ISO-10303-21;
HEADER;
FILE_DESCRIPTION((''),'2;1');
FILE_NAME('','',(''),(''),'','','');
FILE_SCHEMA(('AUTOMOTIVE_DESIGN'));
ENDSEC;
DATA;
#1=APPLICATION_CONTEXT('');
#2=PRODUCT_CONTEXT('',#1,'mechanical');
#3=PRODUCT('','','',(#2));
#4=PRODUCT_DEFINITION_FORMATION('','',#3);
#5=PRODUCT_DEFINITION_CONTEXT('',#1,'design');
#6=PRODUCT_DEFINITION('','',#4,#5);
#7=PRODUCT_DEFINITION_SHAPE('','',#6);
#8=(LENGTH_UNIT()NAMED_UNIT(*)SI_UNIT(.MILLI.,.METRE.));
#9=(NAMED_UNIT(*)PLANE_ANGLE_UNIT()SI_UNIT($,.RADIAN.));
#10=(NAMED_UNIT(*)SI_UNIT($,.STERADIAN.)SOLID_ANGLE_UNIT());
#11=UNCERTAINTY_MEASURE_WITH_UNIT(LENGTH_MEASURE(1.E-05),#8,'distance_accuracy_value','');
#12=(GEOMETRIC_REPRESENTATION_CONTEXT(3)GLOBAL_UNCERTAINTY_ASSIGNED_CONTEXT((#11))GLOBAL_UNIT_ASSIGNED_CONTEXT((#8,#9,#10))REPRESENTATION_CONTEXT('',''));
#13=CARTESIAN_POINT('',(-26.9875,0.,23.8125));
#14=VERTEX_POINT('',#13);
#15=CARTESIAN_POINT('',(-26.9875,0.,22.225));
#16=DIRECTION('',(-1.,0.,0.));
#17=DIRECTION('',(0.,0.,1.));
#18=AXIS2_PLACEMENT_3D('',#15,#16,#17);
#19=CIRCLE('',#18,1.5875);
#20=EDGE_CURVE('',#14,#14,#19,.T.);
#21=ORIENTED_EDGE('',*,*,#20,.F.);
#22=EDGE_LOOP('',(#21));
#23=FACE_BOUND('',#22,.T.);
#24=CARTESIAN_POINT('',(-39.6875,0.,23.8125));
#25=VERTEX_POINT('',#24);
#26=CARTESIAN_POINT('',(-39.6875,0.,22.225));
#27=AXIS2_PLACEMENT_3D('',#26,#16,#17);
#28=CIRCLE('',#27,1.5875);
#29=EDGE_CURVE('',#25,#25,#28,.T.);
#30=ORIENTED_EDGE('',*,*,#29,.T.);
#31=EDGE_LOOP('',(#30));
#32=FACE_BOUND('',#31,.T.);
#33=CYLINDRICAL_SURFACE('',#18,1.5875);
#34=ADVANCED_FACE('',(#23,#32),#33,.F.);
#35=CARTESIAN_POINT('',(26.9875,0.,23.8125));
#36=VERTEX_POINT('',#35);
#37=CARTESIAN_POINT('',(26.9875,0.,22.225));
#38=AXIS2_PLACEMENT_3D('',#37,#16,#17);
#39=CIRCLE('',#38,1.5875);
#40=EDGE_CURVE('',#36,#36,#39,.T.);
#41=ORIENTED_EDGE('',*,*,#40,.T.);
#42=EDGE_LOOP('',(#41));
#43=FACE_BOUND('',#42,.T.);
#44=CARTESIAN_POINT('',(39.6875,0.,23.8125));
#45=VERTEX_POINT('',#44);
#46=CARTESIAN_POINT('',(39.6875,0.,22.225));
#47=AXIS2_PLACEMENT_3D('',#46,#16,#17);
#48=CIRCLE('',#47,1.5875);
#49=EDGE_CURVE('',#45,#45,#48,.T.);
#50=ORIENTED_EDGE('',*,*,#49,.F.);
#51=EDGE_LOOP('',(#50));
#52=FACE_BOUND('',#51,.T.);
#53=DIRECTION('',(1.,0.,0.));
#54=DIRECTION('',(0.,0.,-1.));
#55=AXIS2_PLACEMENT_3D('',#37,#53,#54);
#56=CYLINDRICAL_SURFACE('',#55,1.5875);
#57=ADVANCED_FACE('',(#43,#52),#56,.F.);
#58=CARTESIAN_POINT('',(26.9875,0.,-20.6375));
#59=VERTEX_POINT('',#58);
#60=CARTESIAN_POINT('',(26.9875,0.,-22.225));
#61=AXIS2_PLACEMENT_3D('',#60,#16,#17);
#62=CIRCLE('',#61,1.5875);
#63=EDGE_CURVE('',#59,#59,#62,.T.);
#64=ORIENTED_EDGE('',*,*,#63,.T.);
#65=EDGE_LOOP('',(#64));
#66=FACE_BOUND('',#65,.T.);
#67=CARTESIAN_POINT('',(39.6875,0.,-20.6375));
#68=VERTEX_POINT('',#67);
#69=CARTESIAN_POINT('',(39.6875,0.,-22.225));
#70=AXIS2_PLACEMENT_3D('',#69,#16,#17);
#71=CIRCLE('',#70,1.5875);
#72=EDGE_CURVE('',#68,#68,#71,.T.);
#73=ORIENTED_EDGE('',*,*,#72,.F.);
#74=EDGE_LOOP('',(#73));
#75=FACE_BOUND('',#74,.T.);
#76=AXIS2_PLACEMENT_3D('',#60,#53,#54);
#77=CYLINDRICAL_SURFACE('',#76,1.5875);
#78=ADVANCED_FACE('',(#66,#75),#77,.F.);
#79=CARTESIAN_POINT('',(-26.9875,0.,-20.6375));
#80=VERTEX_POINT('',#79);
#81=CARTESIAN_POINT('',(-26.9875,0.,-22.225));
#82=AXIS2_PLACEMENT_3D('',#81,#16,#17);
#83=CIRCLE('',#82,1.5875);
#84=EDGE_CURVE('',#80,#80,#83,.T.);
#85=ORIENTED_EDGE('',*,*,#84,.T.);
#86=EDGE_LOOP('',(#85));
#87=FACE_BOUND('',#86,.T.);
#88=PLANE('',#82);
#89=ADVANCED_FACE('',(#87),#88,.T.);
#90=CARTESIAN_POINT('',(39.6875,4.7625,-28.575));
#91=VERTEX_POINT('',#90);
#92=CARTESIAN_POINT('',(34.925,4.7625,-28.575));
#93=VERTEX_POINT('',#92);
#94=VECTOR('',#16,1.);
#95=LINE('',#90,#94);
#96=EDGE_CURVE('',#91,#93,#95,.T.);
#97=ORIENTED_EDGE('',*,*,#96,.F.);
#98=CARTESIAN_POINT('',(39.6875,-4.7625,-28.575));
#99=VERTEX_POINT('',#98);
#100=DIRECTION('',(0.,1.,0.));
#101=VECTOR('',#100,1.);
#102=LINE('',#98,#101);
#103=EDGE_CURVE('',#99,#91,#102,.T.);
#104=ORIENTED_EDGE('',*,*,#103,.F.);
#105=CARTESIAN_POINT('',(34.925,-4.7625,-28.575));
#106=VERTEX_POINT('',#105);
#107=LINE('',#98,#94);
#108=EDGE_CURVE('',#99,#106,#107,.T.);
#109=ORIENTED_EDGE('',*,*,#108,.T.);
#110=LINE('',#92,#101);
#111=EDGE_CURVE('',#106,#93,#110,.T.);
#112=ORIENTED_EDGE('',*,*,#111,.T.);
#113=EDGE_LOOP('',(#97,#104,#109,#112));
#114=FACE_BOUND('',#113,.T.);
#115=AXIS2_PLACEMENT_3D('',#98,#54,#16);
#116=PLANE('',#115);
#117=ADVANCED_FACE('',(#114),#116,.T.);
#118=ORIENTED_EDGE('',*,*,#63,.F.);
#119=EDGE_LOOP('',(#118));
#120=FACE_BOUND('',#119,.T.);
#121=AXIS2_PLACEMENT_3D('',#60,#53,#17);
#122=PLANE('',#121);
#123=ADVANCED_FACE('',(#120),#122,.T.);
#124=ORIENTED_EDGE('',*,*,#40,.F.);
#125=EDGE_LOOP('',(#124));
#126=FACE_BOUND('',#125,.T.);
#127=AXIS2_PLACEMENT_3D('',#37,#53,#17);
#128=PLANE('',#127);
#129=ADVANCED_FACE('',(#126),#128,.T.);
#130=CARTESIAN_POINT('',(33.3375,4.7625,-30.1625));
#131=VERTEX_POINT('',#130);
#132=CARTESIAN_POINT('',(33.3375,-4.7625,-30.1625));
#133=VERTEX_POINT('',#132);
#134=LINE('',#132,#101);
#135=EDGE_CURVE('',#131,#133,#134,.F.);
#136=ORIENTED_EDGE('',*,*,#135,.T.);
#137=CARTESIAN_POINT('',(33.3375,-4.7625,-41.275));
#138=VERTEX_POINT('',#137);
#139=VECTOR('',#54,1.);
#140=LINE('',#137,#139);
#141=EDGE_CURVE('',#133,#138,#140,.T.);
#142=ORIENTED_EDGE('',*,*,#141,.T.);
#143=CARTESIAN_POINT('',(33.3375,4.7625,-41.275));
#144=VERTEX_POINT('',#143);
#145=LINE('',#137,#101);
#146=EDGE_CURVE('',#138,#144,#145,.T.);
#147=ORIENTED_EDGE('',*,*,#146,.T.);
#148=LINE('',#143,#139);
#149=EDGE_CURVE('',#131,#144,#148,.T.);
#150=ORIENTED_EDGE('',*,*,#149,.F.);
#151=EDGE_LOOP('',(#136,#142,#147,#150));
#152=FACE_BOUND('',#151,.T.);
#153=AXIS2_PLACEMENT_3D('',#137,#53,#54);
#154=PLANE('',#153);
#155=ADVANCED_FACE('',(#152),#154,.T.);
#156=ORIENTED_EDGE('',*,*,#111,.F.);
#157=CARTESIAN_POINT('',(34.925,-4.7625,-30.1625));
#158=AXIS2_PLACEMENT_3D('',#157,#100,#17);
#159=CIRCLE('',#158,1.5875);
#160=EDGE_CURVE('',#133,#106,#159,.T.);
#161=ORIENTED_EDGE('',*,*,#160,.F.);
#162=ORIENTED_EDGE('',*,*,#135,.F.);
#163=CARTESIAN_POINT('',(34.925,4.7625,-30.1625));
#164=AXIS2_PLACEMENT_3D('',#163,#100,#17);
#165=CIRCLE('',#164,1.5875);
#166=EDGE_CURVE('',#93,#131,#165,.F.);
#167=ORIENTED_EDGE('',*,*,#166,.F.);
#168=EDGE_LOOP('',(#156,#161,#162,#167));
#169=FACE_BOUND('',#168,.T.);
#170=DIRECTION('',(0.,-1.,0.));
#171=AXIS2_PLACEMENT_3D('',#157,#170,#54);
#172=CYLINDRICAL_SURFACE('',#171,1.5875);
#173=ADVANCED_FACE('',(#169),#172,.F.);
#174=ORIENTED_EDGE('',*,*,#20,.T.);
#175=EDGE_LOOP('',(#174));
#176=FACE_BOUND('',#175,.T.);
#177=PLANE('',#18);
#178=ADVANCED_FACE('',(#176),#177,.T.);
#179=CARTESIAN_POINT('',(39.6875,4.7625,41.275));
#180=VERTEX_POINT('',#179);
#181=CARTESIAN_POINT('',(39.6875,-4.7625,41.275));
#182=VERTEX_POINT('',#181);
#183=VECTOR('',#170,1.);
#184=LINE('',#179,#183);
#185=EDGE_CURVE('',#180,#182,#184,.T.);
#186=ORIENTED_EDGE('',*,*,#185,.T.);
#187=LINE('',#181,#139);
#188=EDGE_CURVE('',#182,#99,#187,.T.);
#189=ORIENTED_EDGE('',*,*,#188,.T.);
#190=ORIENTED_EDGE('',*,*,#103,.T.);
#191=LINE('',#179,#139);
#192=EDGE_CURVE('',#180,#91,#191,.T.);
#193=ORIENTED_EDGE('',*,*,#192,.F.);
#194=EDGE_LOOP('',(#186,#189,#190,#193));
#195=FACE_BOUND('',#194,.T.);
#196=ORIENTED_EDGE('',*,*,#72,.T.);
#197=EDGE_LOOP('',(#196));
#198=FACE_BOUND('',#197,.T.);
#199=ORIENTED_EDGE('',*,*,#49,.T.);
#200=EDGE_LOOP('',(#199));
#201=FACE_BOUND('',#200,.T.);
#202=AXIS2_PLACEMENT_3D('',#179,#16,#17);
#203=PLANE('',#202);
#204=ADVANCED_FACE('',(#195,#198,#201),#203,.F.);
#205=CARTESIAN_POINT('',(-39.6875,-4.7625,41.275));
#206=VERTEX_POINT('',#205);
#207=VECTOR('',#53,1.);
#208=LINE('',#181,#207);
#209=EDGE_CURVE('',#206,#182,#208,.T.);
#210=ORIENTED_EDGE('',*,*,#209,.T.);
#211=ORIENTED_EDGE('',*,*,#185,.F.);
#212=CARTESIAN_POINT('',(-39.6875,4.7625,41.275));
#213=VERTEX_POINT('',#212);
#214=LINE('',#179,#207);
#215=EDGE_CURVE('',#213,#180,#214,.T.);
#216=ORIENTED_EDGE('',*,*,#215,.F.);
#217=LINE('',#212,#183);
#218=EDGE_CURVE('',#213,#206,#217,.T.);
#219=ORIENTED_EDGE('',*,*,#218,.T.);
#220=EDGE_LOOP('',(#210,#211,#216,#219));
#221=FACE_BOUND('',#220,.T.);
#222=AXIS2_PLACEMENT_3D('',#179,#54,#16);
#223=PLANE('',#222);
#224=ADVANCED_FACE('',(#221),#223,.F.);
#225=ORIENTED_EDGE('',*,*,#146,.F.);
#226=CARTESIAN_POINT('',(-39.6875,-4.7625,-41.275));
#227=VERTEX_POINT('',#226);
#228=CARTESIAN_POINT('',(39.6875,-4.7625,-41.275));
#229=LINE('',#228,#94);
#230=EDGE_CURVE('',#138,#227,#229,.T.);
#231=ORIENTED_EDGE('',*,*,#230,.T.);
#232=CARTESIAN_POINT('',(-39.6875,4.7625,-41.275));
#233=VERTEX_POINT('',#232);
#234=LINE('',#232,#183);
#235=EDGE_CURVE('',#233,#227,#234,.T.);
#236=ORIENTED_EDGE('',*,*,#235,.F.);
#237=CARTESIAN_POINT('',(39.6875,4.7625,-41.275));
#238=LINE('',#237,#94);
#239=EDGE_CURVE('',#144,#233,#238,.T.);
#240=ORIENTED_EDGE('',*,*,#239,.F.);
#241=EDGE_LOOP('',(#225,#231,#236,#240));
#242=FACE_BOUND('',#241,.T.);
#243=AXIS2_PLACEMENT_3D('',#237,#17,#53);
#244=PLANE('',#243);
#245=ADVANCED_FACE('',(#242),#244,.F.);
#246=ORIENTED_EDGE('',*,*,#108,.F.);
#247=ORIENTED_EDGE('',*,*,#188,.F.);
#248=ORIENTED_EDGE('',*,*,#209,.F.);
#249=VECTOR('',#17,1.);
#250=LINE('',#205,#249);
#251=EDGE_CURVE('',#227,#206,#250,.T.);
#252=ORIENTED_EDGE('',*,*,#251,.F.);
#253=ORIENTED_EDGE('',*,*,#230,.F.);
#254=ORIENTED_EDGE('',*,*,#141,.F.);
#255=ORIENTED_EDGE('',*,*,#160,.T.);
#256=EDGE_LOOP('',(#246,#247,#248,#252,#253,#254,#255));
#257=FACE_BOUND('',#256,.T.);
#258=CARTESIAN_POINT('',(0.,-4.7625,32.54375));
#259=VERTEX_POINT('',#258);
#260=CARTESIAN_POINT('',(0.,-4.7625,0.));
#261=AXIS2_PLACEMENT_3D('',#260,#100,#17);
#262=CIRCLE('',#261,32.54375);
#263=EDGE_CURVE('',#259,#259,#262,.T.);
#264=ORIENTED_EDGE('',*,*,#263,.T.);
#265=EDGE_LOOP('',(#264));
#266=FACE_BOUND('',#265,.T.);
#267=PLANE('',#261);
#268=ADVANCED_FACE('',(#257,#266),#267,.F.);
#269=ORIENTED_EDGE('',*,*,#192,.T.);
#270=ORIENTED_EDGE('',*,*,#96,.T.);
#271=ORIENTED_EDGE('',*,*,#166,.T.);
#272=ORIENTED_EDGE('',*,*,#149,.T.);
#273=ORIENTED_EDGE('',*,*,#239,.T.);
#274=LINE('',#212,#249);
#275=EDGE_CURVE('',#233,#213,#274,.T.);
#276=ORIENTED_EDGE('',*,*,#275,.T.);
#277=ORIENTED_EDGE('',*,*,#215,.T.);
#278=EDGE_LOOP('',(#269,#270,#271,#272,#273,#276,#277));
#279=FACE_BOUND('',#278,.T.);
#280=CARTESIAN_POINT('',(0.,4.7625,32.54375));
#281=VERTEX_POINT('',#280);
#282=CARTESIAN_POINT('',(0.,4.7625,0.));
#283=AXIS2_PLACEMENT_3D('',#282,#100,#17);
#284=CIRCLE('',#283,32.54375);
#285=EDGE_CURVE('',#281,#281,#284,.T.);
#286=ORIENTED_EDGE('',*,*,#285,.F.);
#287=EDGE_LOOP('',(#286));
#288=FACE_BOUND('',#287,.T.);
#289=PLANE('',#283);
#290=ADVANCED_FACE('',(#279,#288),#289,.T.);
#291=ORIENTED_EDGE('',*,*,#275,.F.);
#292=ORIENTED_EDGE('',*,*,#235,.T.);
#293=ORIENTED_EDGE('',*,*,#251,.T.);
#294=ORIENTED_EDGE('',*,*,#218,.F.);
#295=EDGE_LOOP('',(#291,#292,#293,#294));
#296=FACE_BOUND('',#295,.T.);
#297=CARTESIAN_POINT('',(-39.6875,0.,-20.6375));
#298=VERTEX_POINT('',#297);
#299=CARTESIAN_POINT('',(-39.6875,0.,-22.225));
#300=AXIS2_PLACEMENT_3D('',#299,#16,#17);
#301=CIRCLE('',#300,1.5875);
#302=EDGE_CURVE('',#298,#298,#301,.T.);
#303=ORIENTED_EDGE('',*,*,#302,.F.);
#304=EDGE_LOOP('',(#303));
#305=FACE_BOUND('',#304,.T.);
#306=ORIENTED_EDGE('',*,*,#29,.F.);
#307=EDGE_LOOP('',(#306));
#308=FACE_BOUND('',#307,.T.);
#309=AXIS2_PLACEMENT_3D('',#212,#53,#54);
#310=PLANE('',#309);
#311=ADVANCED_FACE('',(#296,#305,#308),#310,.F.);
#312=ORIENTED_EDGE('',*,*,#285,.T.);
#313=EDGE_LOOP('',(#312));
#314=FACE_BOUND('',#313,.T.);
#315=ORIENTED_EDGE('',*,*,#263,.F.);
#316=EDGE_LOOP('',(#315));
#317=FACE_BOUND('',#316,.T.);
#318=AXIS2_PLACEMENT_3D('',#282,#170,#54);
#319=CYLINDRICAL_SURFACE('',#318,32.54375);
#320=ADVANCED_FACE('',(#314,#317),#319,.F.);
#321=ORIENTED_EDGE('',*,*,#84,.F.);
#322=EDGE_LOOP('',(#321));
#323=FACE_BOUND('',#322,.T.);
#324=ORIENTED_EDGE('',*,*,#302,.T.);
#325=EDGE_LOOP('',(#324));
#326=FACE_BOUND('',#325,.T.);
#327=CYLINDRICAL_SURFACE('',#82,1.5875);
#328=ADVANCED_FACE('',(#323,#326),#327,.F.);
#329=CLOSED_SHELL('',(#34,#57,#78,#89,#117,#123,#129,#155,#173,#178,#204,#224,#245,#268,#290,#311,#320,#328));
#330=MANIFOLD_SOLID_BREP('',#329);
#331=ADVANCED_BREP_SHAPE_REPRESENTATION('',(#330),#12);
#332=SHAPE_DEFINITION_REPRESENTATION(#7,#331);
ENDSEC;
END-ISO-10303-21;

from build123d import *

# Parameters (mm, degrees)
SKETCH1_W           = 79.375
SKETCH1_H           = 82.55
SKETCH1_R           = 32.54375
BOSS_EXTRUDE1_DEPTH = 4.7625
SKETCH2_R           = 1.5875
CUT_EXTRUDE1_DEPTH  = 12.7
SKETCH3_W           = 12.7
SKETCH3_H           = 6.35
CUT_EXTRUDE2_DEPTH  = 10.525
FILLET1_R           = 1.5875


with BuildPart() as part:
    # Sketch1 → Boss-Extrude1 (new body, symmetric)
    with BuildSketch(Plane(origin=(0, 0, 0), x_dir=(1, 0, 0), z_dir=(0, 1, 0))):
        Rectangle(SKETCH1_W, SKETCH1_H)
        Circle(SKETCH1_R, mode=Mode.SUBTRACT)
    extrude(amount=BOSS_EXTRUDE1_DEPTH, both=True)

    # Sketch2 → Cut-Extrude1 (cut)
    with BuildSketch(Plane.ZY.offset(39.6875)):
        with Locations((-22.225, 0)):
            Circle(SKETCH2_R)
        with Locations((22.225, 0)):
            Circle(SKETCH2_R)
    cut_extrude1 = extrude(amount=-CUT_EXTRUDE1_DEPTH, mode=Mode.SUBTRACT)

    # Mirror1: Cut-Extrude1 across plane
    add(cut_extrude1.mirror(Plane(origin=(0, 0, 0), x_dir=(0, 0, 1), z_dir=(1, 0, 0))), mode=Mode.SUBTRACT)

    # Sketch3 → Cut-Extrude2 (cut, through all)
    with BuildSketch(Plane(origin=(34.925, 4.7625, 0), x_dir=(0, 0, -1), z_dir=(0, -1, 0))):
        with Locations((34.925, 1.5875)):
            Rectangle(SKETCH3_W, SKETCH3_H)
    extrude(amount=CUT_EXTRUDE2_DEPTH, mode=Mode.SUBTRACT)

    # Fillet1
    fillet1_edges = [part.edges().sort_by_distance(p)[0] for p in [
        (33.3375, 0, -28.575),
    ]]
    fillet(fillet1_edges, radius=FILLET1_R)


solid = part.part
